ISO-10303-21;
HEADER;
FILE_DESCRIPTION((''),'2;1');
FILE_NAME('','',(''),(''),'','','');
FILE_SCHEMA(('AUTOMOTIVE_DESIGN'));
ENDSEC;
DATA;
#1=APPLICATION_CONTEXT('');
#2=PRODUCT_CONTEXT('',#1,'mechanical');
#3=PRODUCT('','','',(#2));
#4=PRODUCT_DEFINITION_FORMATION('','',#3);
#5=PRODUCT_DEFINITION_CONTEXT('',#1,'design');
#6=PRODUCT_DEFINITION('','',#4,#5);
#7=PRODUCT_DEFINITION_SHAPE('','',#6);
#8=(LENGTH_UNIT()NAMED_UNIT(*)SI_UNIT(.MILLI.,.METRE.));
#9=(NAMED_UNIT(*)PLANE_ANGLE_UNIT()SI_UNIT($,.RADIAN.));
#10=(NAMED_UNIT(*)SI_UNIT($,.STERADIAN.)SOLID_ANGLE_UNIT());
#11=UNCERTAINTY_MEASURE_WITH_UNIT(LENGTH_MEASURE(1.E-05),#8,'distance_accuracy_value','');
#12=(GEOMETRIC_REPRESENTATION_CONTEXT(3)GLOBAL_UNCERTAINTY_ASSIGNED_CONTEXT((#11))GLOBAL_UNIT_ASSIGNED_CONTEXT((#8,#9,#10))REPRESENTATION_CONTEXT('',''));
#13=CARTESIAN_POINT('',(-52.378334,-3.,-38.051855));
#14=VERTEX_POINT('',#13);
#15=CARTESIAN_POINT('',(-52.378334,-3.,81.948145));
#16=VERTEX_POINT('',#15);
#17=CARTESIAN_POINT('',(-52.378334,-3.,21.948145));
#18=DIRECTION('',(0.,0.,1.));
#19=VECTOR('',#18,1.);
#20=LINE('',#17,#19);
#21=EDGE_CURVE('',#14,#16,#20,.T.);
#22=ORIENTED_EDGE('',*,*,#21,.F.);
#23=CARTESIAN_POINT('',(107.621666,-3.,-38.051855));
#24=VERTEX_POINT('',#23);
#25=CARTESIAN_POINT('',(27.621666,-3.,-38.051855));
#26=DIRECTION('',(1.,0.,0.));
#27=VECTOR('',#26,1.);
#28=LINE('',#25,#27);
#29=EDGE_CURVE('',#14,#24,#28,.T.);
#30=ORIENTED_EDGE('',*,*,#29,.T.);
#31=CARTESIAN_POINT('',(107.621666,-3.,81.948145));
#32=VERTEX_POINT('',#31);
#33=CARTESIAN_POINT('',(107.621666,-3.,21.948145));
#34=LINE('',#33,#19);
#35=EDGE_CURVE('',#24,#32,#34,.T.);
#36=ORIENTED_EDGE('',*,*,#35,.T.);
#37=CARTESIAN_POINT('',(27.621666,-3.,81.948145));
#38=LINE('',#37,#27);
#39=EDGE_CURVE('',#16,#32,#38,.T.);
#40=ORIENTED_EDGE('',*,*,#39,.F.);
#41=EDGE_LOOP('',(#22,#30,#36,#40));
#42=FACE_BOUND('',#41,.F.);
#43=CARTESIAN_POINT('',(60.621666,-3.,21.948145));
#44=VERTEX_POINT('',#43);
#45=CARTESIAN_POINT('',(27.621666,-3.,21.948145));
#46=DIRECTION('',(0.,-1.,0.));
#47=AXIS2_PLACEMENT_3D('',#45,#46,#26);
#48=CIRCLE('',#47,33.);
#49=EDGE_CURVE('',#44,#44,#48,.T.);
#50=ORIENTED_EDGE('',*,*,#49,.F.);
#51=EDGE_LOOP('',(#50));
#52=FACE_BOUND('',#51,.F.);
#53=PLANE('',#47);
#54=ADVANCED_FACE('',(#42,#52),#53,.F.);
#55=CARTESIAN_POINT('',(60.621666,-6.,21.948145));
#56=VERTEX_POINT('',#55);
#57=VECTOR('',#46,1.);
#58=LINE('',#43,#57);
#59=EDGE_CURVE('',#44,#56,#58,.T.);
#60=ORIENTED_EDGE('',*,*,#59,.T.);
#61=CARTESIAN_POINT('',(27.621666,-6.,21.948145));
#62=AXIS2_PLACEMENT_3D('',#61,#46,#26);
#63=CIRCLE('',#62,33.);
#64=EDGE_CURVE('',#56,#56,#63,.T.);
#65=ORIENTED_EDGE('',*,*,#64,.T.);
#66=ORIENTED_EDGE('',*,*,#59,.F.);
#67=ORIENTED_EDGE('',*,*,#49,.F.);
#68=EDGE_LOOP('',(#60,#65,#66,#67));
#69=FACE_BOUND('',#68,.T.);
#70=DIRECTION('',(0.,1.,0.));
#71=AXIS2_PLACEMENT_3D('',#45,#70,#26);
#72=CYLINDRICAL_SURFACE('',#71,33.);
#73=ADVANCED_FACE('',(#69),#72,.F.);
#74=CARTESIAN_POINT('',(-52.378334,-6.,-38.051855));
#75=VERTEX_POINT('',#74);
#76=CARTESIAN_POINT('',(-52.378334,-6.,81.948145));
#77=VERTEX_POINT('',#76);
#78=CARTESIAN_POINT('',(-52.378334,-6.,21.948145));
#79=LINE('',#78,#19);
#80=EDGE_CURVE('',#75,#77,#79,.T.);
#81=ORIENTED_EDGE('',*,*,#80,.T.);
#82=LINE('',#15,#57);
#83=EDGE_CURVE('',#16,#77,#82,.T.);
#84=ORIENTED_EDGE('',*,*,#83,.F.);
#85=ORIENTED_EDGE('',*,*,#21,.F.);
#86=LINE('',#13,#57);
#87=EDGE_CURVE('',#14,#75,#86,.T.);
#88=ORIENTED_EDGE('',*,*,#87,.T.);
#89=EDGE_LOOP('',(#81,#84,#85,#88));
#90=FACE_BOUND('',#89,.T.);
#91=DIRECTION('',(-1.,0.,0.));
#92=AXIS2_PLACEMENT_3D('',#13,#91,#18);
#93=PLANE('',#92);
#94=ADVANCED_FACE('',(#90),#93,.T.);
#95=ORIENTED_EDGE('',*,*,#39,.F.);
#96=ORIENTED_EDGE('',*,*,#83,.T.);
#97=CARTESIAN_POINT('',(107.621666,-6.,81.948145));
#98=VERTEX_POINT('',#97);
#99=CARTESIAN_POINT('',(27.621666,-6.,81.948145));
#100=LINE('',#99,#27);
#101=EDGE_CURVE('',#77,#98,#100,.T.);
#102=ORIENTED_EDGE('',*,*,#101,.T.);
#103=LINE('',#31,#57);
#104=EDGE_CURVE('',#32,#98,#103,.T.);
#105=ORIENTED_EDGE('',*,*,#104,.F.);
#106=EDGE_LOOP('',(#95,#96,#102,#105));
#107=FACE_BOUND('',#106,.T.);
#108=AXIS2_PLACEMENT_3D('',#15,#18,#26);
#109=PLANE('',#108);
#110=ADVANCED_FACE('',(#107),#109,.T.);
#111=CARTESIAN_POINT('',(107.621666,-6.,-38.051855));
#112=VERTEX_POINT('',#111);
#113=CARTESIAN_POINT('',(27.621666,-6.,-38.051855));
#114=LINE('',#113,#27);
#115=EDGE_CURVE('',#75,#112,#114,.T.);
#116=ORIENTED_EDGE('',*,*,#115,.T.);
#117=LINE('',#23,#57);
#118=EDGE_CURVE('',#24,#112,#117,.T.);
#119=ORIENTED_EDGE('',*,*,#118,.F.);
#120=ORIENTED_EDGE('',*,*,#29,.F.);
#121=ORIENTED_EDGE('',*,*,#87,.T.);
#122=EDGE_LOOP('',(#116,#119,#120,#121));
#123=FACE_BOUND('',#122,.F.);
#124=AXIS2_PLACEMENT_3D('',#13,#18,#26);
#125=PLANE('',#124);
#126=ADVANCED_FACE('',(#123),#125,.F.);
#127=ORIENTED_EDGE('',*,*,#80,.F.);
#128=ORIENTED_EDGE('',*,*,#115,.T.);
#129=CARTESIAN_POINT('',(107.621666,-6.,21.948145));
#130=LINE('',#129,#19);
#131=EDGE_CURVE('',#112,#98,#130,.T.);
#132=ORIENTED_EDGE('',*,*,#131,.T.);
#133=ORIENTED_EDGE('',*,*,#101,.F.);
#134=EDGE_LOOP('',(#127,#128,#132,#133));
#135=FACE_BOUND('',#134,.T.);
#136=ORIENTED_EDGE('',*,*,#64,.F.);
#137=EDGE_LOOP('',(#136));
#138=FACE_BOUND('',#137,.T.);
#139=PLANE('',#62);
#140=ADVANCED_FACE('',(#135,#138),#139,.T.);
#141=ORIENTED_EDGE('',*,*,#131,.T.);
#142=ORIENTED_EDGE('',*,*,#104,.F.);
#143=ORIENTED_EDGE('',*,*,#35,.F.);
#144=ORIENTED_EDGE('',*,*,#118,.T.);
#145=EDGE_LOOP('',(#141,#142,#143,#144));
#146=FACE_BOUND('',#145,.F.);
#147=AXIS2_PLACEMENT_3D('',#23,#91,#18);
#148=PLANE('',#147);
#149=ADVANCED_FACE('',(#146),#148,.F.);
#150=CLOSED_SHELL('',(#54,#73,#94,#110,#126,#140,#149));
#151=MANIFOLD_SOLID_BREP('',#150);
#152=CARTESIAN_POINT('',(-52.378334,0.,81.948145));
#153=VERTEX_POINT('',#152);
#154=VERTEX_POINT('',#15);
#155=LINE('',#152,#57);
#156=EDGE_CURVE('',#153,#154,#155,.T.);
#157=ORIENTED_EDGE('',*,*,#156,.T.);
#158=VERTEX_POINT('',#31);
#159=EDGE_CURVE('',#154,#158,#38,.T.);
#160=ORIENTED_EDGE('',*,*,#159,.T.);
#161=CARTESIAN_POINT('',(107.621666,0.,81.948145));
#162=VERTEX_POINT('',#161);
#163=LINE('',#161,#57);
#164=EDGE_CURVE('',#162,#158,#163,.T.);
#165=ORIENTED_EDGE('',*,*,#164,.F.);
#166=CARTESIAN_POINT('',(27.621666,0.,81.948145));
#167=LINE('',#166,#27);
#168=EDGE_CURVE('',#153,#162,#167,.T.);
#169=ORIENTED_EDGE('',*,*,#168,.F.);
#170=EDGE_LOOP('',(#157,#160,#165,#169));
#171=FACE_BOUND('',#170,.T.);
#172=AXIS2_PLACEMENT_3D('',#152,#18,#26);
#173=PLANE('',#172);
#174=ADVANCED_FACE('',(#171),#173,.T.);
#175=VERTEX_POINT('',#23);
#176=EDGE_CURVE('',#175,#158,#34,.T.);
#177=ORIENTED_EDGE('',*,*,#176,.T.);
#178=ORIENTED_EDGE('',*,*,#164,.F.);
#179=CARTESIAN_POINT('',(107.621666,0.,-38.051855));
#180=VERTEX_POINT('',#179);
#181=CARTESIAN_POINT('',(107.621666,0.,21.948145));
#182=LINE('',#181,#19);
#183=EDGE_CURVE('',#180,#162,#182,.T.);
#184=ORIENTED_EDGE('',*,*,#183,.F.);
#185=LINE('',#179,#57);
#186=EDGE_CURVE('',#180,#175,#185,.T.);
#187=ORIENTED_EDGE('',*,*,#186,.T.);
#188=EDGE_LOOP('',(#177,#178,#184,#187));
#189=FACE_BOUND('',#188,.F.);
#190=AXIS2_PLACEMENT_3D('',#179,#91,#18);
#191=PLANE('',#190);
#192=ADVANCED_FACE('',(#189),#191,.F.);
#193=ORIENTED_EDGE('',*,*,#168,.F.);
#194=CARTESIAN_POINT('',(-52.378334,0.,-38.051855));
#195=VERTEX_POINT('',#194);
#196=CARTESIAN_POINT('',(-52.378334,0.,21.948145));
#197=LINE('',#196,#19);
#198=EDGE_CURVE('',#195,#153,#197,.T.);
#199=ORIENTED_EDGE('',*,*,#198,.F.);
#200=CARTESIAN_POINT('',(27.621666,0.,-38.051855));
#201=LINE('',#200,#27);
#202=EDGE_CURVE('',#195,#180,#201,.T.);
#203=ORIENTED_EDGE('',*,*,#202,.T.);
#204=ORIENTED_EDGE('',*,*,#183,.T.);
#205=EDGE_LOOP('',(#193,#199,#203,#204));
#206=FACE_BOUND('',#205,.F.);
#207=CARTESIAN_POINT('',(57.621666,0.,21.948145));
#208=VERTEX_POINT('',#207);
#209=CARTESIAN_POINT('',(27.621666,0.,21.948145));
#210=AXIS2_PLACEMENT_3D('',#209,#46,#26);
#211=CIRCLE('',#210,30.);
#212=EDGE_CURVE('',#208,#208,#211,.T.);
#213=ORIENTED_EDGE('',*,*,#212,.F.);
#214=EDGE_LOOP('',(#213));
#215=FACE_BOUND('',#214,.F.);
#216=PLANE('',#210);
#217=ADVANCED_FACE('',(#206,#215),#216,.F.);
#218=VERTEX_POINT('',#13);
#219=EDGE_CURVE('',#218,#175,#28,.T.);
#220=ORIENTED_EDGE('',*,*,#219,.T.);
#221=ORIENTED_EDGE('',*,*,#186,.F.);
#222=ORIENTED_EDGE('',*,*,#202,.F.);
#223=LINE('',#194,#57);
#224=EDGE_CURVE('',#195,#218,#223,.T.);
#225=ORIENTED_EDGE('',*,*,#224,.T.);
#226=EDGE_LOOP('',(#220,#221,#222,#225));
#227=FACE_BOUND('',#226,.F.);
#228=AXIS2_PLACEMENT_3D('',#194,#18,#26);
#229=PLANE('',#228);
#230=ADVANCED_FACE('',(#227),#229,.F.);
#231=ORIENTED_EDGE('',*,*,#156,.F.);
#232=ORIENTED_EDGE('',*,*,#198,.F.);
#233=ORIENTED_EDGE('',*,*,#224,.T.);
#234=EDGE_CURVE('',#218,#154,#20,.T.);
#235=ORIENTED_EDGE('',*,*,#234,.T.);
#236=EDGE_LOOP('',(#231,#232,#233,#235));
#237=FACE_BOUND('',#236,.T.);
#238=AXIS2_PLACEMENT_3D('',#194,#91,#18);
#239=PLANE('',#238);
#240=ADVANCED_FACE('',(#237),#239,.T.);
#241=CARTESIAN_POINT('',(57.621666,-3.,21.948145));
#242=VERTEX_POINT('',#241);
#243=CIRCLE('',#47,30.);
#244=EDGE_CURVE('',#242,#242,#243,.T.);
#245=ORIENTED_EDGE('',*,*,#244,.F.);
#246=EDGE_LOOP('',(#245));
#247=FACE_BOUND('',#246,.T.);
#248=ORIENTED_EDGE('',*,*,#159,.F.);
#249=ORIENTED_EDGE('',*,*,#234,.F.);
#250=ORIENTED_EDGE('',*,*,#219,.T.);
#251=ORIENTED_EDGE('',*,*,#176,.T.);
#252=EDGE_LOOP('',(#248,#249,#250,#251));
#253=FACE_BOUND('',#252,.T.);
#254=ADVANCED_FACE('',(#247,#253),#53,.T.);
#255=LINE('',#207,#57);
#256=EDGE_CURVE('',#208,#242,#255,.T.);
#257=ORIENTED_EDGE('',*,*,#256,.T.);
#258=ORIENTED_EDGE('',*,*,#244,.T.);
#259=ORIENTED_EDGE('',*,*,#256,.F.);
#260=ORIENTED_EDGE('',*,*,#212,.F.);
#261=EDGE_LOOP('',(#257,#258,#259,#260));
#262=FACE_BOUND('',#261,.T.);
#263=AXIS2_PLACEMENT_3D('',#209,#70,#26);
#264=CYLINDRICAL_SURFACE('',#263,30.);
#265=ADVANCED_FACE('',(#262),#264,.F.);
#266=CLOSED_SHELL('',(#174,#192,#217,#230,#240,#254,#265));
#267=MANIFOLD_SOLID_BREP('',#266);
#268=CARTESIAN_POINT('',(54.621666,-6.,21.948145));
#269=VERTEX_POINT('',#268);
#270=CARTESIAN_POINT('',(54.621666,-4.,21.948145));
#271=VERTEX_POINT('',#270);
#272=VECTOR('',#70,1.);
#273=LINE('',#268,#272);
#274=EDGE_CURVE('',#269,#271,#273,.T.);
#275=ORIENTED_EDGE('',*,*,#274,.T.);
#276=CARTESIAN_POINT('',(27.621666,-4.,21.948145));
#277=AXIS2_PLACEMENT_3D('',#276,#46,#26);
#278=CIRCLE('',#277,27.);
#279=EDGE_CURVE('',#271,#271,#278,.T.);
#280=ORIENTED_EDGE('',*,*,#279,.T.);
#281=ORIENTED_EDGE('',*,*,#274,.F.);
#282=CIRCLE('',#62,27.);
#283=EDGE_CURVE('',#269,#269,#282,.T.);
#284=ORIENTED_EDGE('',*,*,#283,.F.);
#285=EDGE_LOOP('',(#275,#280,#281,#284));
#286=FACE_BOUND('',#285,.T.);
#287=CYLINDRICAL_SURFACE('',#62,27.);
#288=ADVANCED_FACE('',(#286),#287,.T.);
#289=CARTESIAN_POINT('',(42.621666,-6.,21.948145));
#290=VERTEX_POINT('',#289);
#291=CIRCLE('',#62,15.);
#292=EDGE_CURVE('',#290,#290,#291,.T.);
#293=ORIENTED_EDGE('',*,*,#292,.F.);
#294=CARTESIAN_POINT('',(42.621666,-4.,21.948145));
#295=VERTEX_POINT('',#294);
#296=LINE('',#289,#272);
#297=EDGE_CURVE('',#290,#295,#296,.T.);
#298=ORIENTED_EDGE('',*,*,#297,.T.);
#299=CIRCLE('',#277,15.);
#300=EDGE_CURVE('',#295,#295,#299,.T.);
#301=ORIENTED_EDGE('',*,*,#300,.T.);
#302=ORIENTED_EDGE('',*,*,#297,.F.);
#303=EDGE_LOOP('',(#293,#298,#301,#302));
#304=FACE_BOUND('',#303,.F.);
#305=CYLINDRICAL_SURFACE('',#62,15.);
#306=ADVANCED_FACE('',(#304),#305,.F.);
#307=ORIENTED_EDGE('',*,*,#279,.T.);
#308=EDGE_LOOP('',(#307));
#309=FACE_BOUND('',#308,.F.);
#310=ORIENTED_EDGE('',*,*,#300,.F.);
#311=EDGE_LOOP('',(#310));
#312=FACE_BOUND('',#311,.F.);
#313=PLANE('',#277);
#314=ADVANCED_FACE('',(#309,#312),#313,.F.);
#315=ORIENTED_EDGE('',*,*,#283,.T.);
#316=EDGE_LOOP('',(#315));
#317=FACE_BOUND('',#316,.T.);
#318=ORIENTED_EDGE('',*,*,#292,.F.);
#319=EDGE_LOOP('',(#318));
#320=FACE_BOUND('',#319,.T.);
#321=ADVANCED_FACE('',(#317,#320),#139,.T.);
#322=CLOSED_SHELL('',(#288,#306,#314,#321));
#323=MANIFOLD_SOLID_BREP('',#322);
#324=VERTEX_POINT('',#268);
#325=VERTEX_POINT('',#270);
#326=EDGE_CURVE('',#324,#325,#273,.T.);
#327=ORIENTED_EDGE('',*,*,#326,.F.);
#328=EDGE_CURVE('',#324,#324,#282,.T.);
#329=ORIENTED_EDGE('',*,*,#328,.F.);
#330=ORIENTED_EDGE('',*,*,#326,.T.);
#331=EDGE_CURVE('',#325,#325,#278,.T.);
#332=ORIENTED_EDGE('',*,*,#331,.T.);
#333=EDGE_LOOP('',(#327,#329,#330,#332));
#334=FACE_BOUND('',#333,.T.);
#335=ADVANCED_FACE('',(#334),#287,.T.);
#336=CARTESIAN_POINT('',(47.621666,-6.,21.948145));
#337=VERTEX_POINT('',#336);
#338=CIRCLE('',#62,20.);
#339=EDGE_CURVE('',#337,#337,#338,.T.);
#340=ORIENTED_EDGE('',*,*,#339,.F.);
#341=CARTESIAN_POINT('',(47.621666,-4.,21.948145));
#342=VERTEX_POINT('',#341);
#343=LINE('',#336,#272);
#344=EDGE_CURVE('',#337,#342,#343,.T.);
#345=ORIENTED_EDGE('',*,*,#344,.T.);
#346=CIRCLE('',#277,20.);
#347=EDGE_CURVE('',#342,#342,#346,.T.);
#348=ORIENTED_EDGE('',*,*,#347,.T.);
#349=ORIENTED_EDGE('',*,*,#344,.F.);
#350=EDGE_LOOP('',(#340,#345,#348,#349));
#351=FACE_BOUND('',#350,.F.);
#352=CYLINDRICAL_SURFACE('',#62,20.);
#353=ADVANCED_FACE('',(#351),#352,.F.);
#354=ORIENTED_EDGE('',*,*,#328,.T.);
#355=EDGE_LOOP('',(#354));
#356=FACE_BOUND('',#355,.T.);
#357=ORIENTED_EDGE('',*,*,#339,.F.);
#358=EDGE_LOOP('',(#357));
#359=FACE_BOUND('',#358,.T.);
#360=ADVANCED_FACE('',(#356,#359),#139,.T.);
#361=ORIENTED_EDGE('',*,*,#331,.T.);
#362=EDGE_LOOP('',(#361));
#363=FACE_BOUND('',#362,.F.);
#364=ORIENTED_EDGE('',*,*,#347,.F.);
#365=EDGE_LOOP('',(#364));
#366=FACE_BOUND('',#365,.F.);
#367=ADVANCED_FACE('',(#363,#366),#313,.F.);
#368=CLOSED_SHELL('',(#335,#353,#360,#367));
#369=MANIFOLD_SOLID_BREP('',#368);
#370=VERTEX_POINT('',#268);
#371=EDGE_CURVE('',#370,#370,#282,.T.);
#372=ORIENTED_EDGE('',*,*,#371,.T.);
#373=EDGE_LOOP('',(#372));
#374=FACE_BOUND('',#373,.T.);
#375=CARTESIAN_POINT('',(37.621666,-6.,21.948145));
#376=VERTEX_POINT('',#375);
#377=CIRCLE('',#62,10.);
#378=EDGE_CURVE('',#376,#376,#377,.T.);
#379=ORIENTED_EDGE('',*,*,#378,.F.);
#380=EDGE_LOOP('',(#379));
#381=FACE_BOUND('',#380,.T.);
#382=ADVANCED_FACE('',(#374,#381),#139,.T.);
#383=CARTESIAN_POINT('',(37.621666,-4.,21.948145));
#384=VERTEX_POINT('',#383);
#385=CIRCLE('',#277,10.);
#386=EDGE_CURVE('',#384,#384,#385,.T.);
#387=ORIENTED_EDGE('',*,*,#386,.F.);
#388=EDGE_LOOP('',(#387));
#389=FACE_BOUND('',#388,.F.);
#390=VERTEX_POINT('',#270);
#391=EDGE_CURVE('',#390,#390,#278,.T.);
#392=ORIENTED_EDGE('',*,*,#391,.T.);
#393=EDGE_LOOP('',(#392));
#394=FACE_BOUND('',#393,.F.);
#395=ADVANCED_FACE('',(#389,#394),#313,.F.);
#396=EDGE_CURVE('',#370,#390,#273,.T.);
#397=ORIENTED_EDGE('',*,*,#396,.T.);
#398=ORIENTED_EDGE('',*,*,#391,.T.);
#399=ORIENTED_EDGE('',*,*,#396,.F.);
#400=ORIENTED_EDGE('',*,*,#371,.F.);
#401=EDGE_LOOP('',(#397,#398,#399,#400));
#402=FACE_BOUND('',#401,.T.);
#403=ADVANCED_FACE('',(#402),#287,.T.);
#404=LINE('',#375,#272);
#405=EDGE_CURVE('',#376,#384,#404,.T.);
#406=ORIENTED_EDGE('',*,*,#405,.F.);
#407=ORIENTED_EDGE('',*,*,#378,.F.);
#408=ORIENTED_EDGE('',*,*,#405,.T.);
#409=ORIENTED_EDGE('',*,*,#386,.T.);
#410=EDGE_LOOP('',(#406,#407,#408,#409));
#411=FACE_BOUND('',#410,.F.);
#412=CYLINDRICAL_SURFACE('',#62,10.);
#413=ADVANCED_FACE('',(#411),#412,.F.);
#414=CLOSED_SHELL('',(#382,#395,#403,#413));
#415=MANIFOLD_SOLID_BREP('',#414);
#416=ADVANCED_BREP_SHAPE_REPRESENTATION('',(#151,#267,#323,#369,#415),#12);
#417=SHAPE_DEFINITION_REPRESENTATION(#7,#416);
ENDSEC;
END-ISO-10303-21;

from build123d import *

# Parameters (mm, degrees)
F0_W     = 160
F0_H     = 120
F0_R     = 30
F1_DEPTH = 3
F2_W     = 160
F2_H     = 120
F2_R     = 33
F3_DEPTH = 3
F4_R     = 27
F4_R_2   = 20
F5_DEPTH = 2
F6_R     = 27
F6_R_2   = 15
F7_DEPTH = 2
F8_R     = 27
F8_R_2   = 10
F9_DEPTH = 2


with BuildPart() as f1:
    # F0 (on Front) → F1 (new body)
    with BuildSketch(Plane.XZ):
        with Locations((27.621666, 21.948145)):
            Rectangle(F0_W, F0_H)
        with Locations((27.621666, 21.948145)):
            Circle(F0_R, mode=Mode.SUBTRACT)
    extrude(amount=F1_DEPTH)


with BuildPart() as f3:
    # F2 (on face) → F3 (new body)
    with BuildSketch(Plane.XZ.offset(3)):
        with Locations((27.621666, 21.948145)):
            Rectangle(F2_W, F2_H)
        with Locations((27.621666, 21.948145)):
            Circle(F2_R, mode=Mode.SUBTRACT)
    extrude(amount=F3_DEPTH)


with BuildPart() as f5:
    # F4 (on face) → F5 (new body)
    with BuildSketch(Plane.XZ.offset(6)):
        with Locations((27.621666, 21.948145)):
            Circle(F4_R)
        with Locations((27.621666, 21.948145)):
            Circle(F4_R_2, mode=Mode.SUBTRACT)
    extrude(amount=-F5_DEPTH)


with BuildPart() as f7:
    # F6 (on face) → F7 (new body)
    with BuildSketch(Plane.XZ.offset(6)):
        with Locations((27.621666, 21.948145)):
            Circle(F6_R)
        with Locations((27.621666, 21.948145)):
            Circle(F6_R_2, mode=Mode.SUBTRACT)
    extrude(amount=-F7_DEPTH)


with BuildPart() as f9:
    # F8 (on face) → F9 (new body)
    with BuildSketch(Plane.XZ.offset(6)):
        with Locations((27.621666, 21.948145)):
            Circle(F8_R)
        with Locations((27.621666, 21.948145)):
            Circle(F8_R_2, mode=Mode.SUBTRACT)
    extrude(amount=-F9_DEPTH)


solid = Compound([f1.part, f3.part, f5.part, f7.part, f9.part])
